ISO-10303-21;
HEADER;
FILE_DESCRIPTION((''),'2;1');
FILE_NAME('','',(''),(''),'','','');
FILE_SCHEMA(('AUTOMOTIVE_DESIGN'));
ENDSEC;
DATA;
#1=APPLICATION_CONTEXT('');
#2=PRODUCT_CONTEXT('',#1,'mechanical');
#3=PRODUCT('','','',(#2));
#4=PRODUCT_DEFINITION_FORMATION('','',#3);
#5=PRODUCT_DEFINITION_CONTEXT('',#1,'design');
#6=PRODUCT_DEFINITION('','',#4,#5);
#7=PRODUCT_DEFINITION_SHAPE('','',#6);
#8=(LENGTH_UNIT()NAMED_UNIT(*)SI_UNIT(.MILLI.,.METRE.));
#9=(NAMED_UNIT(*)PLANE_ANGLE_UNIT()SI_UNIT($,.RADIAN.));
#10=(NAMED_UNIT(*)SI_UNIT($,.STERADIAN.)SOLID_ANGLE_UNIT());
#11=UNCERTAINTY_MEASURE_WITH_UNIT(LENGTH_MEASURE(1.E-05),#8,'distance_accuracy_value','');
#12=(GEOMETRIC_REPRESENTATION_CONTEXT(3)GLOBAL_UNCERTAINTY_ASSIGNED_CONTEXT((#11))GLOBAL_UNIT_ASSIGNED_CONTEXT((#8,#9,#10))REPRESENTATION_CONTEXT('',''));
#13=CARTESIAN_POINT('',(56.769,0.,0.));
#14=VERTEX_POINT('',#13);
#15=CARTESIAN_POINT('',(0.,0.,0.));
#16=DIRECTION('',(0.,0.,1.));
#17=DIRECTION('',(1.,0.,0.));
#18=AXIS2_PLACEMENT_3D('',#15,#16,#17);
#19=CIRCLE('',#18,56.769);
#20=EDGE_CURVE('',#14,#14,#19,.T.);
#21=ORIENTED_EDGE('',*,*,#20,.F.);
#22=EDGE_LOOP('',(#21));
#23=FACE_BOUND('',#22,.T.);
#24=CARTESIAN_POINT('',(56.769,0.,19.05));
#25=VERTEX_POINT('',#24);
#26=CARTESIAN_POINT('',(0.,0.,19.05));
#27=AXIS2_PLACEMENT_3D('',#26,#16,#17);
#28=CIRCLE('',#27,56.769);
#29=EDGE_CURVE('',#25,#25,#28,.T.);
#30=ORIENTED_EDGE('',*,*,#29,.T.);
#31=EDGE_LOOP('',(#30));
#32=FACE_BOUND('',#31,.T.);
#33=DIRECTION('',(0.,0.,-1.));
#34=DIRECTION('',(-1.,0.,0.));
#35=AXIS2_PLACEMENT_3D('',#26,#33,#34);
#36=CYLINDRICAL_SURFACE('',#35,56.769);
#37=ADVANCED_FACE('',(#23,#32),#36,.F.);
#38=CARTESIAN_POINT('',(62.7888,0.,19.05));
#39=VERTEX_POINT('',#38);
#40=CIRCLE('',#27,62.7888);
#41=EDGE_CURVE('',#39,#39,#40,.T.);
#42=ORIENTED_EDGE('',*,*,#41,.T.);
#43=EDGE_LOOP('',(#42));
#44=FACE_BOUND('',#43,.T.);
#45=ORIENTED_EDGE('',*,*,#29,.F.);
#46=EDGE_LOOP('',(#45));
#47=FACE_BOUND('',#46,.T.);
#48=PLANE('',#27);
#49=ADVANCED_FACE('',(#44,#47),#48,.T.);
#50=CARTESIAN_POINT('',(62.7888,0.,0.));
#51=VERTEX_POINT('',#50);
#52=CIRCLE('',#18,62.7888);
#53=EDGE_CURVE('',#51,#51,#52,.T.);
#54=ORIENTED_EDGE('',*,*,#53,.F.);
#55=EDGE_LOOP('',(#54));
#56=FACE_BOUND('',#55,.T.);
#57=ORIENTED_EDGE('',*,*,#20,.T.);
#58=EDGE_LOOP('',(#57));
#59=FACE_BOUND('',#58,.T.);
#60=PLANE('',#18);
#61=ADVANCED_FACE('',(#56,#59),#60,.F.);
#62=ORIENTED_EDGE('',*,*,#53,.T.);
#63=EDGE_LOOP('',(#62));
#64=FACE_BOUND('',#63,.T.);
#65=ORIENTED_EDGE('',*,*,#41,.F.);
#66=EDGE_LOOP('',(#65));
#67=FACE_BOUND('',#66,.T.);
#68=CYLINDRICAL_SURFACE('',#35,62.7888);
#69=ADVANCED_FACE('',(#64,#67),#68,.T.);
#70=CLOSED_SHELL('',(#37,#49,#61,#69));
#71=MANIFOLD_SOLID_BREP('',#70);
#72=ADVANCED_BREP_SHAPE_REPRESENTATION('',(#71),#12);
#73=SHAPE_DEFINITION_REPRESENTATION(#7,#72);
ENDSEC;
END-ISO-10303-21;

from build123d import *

# Parameters (mm, degrees)
SKETCH1_R           = 62.7888
SKETCH1_R_2         = 56.769
BOSS_EXTRUDE1_DEPTH = 19.05


with BuildPart() as part:
    # Sketch1 → Boss-Extrude1 (new body)
    with BuildSketch(Plane.XY):
        Circle(SKETCH1_R)
        Circle(SKETCH1_R_2, mode=Mode.SUBTRACT)
    extrude(amount=BOSS_EXTRUDE1_DEPTH)


solid = part.part
